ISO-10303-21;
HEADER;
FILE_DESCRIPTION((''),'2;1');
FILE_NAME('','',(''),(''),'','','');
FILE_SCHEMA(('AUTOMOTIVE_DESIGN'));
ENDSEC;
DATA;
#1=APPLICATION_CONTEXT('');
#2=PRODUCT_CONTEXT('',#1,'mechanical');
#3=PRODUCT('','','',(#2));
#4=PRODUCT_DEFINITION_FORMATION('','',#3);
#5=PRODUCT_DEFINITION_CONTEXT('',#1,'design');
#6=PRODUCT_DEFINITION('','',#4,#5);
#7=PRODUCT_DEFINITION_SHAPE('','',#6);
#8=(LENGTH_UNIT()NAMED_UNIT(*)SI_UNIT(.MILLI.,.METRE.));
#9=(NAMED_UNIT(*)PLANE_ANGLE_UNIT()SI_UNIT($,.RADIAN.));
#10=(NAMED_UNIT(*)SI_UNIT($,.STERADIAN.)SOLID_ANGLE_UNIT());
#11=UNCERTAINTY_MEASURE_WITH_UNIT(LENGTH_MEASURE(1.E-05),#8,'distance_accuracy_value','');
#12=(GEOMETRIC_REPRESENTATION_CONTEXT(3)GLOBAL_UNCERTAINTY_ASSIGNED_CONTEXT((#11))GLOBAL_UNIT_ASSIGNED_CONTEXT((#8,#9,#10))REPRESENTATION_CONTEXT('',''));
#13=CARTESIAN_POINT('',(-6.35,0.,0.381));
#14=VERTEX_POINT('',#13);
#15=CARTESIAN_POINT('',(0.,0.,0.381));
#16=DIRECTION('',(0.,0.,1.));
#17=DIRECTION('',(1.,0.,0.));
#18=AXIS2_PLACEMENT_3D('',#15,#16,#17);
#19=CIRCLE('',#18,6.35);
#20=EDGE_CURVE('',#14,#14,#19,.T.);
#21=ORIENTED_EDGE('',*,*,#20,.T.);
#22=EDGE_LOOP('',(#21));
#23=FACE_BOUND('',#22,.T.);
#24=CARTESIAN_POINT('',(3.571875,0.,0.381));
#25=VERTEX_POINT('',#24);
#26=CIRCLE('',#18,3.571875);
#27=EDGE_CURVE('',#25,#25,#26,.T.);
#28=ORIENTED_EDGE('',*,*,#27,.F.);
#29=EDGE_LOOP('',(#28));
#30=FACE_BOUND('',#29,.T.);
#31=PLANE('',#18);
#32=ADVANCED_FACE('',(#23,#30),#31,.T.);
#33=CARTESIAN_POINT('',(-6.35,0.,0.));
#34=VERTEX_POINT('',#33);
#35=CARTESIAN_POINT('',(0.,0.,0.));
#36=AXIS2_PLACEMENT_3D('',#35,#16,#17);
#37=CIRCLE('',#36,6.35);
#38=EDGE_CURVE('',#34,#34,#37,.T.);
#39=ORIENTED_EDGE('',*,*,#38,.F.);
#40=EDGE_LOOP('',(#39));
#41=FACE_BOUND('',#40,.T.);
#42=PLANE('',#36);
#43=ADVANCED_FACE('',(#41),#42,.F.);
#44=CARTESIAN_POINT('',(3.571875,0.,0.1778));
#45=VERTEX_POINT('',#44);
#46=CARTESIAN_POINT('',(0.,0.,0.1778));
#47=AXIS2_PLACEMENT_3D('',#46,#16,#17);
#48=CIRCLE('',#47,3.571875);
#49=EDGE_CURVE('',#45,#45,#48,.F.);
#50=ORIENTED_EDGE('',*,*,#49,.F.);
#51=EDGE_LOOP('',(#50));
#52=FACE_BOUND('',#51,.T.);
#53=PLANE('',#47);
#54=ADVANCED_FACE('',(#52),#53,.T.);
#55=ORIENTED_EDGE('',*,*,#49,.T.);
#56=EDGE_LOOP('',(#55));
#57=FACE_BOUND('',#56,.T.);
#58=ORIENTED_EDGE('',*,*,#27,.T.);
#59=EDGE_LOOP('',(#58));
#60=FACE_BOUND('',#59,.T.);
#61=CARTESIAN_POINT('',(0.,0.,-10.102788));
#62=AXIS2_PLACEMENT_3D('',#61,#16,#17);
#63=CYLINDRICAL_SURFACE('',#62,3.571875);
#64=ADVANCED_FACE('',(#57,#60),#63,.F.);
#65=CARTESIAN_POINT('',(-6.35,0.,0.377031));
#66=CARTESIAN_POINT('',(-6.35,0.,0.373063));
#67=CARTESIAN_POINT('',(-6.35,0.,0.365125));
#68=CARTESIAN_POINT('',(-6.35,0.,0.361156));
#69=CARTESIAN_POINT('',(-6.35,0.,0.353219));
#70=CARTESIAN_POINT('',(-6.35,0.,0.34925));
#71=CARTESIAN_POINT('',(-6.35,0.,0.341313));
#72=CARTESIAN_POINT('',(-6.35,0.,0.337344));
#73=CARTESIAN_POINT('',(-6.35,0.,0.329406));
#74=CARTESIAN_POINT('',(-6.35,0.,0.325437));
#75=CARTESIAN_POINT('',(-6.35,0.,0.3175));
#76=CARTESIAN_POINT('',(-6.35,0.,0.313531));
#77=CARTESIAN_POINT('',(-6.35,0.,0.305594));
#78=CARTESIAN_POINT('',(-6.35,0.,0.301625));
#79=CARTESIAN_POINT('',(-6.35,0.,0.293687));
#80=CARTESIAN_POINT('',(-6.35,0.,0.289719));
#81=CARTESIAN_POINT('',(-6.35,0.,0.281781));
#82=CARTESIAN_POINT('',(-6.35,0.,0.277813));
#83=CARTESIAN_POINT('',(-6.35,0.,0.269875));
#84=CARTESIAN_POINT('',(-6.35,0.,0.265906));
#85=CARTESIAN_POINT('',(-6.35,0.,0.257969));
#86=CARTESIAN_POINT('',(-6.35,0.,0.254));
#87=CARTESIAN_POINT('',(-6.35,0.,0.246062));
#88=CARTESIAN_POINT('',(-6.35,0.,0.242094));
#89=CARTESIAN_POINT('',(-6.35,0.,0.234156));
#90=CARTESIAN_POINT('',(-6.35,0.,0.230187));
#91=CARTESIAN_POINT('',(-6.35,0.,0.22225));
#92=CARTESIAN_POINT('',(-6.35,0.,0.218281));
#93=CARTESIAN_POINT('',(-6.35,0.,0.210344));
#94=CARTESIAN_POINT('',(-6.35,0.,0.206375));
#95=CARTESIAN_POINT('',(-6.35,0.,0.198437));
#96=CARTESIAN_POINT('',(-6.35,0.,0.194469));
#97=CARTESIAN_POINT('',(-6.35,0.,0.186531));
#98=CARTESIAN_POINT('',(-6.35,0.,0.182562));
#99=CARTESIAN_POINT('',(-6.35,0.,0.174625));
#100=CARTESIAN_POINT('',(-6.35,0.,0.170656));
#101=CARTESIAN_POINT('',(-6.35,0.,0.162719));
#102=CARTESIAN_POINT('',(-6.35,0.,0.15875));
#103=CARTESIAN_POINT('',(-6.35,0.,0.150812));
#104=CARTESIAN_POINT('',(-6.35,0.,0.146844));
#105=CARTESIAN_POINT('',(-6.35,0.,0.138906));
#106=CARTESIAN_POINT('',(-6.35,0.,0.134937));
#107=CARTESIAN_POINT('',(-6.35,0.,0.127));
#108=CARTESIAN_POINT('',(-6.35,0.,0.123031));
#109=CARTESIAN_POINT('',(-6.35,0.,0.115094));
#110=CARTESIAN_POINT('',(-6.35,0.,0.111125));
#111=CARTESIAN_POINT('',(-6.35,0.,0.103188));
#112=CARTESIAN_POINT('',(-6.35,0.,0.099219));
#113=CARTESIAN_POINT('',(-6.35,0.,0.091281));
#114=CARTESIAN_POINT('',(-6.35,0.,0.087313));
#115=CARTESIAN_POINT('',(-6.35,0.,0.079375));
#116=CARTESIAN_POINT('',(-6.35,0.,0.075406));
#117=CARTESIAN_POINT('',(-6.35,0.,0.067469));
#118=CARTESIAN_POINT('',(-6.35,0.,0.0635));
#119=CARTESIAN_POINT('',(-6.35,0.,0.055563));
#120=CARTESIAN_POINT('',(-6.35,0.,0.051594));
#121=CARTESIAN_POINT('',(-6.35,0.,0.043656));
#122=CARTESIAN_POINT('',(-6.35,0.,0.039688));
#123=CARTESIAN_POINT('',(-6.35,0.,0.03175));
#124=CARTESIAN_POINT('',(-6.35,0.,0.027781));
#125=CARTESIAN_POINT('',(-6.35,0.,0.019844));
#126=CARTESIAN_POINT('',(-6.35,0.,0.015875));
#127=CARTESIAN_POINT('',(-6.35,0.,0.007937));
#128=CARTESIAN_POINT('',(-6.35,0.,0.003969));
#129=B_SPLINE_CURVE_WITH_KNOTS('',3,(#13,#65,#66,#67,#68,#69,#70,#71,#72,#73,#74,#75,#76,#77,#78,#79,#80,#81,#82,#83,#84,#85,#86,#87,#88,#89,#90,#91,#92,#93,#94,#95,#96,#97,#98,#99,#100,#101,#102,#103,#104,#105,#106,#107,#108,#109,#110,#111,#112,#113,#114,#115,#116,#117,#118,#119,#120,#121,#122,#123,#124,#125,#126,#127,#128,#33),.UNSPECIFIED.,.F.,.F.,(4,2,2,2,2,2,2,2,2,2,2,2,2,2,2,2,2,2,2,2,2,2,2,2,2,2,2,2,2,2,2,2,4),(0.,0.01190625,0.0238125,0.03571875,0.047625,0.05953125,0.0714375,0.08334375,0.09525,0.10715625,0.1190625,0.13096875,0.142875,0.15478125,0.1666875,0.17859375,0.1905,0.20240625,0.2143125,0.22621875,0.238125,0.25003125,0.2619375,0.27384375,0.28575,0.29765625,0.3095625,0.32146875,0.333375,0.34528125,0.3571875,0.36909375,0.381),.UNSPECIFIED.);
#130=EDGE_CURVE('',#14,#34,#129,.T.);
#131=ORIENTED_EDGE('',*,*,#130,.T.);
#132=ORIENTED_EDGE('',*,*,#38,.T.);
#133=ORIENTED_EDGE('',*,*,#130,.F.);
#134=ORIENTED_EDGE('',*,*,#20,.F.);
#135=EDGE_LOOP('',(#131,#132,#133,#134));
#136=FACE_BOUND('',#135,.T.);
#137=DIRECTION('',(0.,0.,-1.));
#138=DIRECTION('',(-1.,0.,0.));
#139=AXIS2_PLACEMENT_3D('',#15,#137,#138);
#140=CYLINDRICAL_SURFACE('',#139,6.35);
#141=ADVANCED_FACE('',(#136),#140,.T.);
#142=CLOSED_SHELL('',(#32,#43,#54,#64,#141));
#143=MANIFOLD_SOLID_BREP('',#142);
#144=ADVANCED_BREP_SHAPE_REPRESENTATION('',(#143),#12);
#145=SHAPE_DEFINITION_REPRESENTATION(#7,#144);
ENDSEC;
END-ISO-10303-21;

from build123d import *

# Parameters (mm, degrees)
SKETCH1_R           = 6.35
BOSS_EXTRUDE1_DEPTH = 0.381
CUT_EXTRUDE2_START  = 0.381
SKETCH1_3_R         = 3.571875
CUT_EXTRUDE2_DEPTH  = 0.2032


with BuildPart() as part:
    # Sketch1 → Boss-Extrude1 (new body)
    with BuildSketch(Plane.XY):
        with Locations(Location((0, 0, 0), (0, 0, 180))):
            Circle(SKETCH1_R)
    extrude(amount=BOSS_EXTRUDE1_DEPTH)

    # Sketch1<3> → Cut-Extrude2 (cut)
    with BuildSketch(Plane.XY.offset(CUT_EXTRUDE2_START)):
        Circle(SKETCH1_3_R)
    extrude(amount=-CUT_EXTRUDE2_DEPTH, mode=Mode.SUBTRACT)


solid = part.part
